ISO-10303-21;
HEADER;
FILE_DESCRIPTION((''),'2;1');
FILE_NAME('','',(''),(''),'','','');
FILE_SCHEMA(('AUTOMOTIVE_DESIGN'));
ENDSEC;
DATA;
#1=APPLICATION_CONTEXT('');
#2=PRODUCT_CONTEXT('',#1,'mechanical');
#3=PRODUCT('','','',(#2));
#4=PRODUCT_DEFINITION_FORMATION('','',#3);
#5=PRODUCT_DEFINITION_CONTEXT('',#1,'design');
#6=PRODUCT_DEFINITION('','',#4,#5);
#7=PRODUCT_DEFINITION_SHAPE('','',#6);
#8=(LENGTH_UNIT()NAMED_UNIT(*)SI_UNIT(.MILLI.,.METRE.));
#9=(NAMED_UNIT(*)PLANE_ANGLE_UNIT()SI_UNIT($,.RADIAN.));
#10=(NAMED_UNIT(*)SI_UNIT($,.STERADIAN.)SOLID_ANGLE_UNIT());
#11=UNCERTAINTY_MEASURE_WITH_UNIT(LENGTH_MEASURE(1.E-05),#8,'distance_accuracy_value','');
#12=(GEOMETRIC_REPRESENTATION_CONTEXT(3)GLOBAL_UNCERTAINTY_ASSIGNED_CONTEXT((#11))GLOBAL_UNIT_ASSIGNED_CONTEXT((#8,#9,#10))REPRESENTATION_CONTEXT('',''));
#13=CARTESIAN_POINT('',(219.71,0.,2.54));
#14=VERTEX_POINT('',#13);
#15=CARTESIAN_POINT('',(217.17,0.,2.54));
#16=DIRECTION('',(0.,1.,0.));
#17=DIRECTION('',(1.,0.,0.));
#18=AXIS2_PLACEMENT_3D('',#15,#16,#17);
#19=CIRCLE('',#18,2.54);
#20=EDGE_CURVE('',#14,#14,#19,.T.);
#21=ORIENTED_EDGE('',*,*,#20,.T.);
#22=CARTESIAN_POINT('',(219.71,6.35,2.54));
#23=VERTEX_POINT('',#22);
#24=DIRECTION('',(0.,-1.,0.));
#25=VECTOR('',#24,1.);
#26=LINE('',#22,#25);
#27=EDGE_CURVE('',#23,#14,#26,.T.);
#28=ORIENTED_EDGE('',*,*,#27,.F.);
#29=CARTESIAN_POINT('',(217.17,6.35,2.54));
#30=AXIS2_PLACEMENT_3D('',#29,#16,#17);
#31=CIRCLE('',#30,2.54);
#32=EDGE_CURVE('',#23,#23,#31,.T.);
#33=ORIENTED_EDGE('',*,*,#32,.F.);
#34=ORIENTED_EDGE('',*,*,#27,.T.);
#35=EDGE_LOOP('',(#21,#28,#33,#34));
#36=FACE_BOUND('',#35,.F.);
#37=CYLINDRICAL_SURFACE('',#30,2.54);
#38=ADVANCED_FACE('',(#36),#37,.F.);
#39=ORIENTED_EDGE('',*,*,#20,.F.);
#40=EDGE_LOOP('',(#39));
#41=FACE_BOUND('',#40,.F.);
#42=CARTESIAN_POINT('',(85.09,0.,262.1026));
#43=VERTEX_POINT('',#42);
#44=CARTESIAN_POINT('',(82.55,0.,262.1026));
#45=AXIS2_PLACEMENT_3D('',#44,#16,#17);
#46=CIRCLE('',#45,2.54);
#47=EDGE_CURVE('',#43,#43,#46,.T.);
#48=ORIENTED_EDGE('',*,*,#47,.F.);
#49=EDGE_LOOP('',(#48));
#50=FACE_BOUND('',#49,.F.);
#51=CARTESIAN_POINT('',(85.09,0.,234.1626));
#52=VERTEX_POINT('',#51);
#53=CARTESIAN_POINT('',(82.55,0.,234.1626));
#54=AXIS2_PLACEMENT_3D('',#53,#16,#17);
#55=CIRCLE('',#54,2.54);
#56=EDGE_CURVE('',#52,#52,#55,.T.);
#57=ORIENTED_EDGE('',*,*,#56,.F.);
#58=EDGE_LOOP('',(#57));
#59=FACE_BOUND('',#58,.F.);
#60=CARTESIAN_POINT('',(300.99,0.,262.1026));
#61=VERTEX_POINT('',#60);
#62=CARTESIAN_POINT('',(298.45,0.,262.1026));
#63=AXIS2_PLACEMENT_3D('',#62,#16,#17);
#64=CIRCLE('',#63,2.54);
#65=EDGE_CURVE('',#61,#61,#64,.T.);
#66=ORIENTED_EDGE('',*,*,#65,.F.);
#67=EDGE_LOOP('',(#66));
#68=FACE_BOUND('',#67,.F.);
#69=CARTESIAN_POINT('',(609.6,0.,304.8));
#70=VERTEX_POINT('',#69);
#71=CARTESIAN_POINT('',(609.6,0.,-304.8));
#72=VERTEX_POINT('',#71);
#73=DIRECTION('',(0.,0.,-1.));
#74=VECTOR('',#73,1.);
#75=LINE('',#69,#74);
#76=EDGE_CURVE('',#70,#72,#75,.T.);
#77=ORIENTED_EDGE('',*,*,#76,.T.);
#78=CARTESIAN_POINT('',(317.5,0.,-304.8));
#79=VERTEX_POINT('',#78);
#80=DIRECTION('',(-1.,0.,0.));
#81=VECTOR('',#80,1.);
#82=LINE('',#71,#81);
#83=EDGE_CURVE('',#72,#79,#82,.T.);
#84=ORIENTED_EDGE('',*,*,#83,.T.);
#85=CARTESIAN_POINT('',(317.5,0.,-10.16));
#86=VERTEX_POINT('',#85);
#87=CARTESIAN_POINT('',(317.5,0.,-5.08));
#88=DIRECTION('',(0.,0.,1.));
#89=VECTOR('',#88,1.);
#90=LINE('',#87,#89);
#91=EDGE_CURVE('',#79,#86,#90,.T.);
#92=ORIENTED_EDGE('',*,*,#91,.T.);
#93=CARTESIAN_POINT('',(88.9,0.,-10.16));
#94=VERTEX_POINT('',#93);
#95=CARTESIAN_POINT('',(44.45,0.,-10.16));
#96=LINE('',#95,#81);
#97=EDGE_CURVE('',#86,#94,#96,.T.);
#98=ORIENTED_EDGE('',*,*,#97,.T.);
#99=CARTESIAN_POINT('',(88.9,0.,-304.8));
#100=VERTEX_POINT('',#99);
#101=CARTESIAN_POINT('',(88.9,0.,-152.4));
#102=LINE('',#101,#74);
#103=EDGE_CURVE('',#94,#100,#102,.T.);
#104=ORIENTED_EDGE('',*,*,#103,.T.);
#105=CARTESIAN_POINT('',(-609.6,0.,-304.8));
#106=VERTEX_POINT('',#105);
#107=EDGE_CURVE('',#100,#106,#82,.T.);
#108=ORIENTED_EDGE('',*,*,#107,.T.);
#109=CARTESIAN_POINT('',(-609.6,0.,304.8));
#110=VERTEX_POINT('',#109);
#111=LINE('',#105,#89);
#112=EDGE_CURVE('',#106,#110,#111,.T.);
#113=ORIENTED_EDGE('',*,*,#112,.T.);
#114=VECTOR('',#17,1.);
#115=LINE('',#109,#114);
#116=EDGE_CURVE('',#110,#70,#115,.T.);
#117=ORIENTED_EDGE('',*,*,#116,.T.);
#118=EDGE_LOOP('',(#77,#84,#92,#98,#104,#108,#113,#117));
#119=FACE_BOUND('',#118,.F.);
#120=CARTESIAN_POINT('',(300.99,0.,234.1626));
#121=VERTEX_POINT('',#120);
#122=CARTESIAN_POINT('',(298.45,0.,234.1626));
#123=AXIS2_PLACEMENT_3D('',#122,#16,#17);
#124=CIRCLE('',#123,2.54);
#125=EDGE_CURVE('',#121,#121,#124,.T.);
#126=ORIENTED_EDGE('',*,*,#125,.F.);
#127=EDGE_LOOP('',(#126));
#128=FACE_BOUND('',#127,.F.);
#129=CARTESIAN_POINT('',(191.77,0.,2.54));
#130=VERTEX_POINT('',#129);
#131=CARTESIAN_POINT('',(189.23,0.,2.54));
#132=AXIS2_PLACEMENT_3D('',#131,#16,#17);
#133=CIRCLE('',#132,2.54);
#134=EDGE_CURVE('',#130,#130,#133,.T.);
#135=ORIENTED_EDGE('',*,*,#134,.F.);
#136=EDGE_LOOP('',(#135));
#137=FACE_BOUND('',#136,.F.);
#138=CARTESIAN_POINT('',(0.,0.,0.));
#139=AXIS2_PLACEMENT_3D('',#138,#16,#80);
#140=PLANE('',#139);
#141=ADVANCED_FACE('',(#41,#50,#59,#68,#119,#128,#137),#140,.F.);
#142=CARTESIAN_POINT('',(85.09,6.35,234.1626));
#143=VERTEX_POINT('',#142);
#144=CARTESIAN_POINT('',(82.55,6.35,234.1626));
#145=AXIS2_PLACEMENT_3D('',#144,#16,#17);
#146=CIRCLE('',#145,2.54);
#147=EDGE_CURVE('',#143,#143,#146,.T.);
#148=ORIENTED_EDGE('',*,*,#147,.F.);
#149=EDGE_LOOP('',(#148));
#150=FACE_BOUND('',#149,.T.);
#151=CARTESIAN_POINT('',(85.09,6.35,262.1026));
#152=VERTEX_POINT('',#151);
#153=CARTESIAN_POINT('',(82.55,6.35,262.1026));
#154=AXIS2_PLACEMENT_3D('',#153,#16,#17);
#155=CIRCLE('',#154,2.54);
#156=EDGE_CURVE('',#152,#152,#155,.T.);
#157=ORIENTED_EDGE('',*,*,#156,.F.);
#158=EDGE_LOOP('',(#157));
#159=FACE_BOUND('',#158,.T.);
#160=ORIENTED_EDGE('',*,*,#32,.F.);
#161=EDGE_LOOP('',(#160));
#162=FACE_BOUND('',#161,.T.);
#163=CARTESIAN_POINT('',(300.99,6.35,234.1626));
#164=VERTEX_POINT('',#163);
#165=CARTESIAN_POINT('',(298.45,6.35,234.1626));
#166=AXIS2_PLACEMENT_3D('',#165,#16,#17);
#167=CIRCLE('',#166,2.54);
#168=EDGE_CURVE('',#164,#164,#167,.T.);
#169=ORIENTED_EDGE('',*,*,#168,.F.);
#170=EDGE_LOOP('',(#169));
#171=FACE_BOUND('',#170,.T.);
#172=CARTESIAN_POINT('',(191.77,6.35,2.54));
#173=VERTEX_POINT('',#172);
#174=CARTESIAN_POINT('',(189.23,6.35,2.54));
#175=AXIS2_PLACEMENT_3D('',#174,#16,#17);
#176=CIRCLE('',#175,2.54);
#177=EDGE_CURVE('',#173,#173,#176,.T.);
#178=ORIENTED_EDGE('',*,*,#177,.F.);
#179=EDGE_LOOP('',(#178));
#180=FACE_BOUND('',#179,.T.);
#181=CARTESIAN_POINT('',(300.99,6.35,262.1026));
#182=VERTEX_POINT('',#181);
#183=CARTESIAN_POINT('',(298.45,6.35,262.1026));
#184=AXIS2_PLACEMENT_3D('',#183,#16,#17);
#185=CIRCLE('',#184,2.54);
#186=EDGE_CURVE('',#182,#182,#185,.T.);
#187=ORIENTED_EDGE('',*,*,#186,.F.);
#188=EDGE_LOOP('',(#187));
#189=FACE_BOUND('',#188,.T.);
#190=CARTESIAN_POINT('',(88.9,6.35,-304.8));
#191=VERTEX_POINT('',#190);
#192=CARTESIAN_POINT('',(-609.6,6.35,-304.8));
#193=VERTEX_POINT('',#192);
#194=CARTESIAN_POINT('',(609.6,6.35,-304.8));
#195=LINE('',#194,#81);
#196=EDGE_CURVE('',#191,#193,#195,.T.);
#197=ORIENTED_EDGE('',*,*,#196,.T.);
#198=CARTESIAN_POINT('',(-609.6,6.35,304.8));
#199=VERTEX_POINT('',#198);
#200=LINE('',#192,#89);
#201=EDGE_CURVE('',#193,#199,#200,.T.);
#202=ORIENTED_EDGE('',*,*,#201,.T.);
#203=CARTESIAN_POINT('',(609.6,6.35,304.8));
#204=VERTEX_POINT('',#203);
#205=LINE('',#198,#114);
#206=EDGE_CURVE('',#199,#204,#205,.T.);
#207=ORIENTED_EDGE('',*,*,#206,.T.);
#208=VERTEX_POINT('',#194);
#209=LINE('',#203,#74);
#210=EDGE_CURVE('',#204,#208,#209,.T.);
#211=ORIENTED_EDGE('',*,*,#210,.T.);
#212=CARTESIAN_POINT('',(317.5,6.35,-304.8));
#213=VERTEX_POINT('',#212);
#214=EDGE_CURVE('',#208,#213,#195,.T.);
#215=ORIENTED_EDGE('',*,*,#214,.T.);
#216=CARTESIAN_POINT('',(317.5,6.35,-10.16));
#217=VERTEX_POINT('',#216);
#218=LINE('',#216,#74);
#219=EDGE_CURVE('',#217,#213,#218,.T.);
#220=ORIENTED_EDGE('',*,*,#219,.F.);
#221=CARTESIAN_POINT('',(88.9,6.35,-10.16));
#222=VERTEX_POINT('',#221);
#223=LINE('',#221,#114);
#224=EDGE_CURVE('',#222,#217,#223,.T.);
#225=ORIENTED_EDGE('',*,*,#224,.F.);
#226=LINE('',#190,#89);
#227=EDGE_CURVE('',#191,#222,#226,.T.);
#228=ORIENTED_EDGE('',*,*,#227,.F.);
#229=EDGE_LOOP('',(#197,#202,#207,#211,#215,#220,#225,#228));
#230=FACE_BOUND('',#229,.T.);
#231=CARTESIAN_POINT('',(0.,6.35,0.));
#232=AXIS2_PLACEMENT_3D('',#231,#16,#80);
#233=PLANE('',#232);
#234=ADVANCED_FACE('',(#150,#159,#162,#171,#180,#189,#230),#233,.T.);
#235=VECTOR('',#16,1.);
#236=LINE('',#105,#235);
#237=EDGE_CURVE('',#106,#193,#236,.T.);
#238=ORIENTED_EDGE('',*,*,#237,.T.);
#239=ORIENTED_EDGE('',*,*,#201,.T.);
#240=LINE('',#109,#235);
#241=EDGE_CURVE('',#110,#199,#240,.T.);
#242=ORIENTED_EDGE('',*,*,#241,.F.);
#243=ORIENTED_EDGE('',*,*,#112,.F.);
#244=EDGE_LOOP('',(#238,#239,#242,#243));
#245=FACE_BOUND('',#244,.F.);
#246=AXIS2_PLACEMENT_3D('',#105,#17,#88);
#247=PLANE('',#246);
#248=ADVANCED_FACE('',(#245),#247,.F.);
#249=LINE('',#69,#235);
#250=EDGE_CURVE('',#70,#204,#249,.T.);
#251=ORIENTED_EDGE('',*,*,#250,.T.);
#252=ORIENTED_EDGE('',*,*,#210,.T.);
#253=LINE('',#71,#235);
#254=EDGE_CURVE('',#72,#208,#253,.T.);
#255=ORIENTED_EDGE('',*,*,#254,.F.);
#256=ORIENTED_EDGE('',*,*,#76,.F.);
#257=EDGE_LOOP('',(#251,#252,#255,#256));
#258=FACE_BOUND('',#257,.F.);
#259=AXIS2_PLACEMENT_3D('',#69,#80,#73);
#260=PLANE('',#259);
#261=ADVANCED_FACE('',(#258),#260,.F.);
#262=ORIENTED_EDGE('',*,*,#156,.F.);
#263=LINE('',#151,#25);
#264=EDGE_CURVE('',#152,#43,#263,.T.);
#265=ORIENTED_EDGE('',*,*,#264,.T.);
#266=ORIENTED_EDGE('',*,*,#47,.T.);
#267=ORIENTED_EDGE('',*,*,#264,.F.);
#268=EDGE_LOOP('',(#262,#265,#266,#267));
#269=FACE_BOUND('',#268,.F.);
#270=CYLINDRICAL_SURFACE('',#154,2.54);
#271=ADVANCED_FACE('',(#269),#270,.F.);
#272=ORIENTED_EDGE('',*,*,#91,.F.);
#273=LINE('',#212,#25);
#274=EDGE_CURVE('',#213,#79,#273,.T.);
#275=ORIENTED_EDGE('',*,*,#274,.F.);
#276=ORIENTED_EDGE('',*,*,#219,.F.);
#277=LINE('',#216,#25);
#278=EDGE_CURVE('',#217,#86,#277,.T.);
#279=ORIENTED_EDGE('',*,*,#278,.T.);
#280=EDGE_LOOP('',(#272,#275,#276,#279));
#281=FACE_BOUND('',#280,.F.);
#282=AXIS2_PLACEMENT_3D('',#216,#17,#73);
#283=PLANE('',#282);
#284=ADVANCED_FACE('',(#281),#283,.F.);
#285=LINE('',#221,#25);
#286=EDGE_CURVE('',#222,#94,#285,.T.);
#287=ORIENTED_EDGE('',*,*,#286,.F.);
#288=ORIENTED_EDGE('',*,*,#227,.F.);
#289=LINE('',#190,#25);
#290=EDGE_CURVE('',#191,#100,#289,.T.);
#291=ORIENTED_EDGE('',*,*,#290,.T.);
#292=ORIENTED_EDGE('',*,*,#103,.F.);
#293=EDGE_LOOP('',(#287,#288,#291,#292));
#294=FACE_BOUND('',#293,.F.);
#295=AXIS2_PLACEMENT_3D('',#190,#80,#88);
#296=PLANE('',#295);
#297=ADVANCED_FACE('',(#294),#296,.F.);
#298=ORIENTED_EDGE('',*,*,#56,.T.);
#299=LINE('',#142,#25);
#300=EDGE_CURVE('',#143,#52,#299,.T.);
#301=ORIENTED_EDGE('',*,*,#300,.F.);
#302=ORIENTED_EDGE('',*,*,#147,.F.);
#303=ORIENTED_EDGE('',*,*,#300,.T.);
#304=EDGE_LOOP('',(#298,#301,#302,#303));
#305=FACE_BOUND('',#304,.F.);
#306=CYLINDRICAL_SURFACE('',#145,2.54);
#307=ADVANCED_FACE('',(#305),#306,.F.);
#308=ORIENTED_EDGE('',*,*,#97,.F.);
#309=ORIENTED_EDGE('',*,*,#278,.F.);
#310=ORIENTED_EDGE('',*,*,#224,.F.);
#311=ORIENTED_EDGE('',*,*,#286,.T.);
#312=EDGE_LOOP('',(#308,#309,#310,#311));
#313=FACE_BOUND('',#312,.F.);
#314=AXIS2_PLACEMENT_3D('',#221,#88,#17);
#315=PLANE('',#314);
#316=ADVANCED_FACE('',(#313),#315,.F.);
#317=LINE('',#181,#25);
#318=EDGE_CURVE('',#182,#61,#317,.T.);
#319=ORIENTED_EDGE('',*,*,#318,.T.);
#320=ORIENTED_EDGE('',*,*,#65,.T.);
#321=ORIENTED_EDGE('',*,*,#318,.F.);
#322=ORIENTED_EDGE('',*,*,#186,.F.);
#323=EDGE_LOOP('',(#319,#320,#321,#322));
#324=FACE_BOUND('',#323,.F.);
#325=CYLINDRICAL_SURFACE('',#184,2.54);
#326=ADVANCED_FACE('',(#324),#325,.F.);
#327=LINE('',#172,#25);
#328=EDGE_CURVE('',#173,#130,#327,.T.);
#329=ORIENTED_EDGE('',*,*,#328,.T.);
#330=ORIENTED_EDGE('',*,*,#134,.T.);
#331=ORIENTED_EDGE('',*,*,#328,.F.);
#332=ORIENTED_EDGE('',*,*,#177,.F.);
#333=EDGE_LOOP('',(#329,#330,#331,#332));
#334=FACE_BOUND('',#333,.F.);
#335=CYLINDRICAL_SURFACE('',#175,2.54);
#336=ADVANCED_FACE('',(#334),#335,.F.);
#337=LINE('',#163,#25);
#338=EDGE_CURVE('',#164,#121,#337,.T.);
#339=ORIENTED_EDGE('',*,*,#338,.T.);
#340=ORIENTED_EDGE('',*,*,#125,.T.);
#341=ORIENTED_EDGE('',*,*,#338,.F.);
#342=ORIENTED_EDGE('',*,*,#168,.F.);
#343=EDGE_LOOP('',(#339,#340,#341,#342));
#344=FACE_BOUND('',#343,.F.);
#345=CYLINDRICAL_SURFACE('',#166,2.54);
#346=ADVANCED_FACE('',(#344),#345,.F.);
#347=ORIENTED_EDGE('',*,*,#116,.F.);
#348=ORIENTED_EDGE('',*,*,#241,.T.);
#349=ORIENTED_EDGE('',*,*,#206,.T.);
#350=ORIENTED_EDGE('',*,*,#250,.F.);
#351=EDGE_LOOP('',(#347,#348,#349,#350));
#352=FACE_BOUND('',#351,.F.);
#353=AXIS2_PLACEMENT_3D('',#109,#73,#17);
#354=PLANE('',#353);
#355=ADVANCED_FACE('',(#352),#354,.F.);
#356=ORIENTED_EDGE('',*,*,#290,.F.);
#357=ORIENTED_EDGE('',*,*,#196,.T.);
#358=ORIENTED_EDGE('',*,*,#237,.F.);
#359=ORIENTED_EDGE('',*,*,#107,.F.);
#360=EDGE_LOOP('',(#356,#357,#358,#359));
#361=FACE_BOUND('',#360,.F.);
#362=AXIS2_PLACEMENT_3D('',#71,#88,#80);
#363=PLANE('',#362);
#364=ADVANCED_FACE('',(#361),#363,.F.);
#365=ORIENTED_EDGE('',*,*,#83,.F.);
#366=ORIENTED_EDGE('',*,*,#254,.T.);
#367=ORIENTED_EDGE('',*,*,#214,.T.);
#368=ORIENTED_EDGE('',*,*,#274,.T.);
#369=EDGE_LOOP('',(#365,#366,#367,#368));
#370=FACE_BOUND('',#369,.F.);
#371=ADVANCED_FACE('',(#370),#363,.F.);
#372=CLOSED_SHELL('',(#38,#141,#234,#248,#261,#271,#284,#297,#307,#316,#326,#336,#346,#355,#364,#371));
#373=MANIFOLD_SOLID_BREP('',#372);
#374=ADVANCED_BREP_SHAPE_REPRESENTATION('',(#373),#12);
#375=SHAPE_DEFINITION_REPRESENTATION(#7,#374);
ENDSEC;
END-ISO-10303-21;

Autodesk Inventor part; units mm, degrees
ref_plane "YZ Plane" through (0, 0, 0) normal (1, 0, 0) x (0, 1, 0)
ref_plane "XZ Plane" through (0, 0, 0) normal (0, 1, 0) x (-1, 0, 0)
ref_plane "XY Plane" through (0, 0, 0) normal (0, 0, 1) x (1, 0, 0)
sketch "Sketch1" plane through (0, 0, 0) normal (0, 1, 0) x (-1, 0, 0)
  line L0 (609.6, 304.8) -> (-609.6, 304.8)
  line L1 (-609.6, 304.8) -> (-609.6, -304.8)
  line L2 (-609.6, -304.8) -> (609.6, -304.8)
  line L3 (609.6, -304.8) -> (609.6, 304.8)
  line L4 (609.6, 304.8) -> (-609.6, -304.8) construction
  line L5 (-609.6, 304.8) -> (609.6, -304.8) construction
  point P0 (0, 0)
  dimension "d0" = 609.6
  dimension "d1" = 1219.2
extrude "Extrusion1" add sketch "Sketch1" along normal blind 6.35
sketch "Sketch2" plane through (0, 6.35, 0) normal (0, 1, 0) x (1, 0, 0)
  line L0 (88.9, 10.16) -> (317.5, 10.16)
  line L1 (317.5, 10.16) -> (317.5, 304.8)
  line L2 (317.5, 304.8) -> (88.9, 304.8)
  line L3 (88.9, 304.8) -> (88.9, 10.16)
  line L4 (88.9, 10.16) -> (317.5, 304.8) construction
  line L5 (317.5, 10.16) -> (88.9, 304.8) construction
  line L6 (609.6, 304.8) -> (-609.6, 304.8) projected
  line L7 (-609.6, 304.8) -> (-609.6, -304.8) projected
  line L8 (609.6, -304.8) -> (609.6, 304.8) projected
  point P0 (0, 0)
  point P1 (203.2, 157.48)
  dimension "d4" = 228.6
  dimension "d5" = 294.64
  dimension "d9" = 292.1
extrude "Extrusion2" cut sketch "Sketch2" against normal up to next
sketch "Sketch3" plane through (0, 6.35, 0) normal (0, 1, 0) x (1, 0, 0)
  circle A0 centre (298.45, -262.1026) radius 2.54
  circle A1 centre (298.45, -234.1626) radius 2.54
  circle A2 centre (82.55, -262.1026) radius 2.54
  circle A3 centre (82.55, -234.1626) radius 2.54
  line L0 (-609.6, -304.8) -> (609.6, -304.8) projected
  line L1 (609.6, -304.8) -> (609.6, 304.8) projected
  line L2 (317.5, 304.8) -> (317.5, 10.16) projected
  circle A4 centre (217.17, -2.54) radius 2.54
  circle A5 centre (189.23, -2.54) radius 2.54
  line L3 (317.5, 10.16) -> (88.9, 10.16) projected
  line L4 (88.9, 10.16) -> (88.9, 304.8) projected
  line L5 (88.9, 10.16) -> (317.5, 10.16) projected
  line L6 (203.2, 10.16) -> (203.2, -2.54) construction
  point P0 (0, 0)
  dimension "d10" = 5.08
  dimension "d14" = 27.94
  dimension "d16" = 215.9
  dimension "d18" = 42.6974
  dimension "d26" = 19.05
  dimension "d27" = 12.7
  dimension "d31" = 27.94
extrude "Extrusion4" cut sketch "Sketch3" against normal up to next
properties part number "Table Top .25 in"
